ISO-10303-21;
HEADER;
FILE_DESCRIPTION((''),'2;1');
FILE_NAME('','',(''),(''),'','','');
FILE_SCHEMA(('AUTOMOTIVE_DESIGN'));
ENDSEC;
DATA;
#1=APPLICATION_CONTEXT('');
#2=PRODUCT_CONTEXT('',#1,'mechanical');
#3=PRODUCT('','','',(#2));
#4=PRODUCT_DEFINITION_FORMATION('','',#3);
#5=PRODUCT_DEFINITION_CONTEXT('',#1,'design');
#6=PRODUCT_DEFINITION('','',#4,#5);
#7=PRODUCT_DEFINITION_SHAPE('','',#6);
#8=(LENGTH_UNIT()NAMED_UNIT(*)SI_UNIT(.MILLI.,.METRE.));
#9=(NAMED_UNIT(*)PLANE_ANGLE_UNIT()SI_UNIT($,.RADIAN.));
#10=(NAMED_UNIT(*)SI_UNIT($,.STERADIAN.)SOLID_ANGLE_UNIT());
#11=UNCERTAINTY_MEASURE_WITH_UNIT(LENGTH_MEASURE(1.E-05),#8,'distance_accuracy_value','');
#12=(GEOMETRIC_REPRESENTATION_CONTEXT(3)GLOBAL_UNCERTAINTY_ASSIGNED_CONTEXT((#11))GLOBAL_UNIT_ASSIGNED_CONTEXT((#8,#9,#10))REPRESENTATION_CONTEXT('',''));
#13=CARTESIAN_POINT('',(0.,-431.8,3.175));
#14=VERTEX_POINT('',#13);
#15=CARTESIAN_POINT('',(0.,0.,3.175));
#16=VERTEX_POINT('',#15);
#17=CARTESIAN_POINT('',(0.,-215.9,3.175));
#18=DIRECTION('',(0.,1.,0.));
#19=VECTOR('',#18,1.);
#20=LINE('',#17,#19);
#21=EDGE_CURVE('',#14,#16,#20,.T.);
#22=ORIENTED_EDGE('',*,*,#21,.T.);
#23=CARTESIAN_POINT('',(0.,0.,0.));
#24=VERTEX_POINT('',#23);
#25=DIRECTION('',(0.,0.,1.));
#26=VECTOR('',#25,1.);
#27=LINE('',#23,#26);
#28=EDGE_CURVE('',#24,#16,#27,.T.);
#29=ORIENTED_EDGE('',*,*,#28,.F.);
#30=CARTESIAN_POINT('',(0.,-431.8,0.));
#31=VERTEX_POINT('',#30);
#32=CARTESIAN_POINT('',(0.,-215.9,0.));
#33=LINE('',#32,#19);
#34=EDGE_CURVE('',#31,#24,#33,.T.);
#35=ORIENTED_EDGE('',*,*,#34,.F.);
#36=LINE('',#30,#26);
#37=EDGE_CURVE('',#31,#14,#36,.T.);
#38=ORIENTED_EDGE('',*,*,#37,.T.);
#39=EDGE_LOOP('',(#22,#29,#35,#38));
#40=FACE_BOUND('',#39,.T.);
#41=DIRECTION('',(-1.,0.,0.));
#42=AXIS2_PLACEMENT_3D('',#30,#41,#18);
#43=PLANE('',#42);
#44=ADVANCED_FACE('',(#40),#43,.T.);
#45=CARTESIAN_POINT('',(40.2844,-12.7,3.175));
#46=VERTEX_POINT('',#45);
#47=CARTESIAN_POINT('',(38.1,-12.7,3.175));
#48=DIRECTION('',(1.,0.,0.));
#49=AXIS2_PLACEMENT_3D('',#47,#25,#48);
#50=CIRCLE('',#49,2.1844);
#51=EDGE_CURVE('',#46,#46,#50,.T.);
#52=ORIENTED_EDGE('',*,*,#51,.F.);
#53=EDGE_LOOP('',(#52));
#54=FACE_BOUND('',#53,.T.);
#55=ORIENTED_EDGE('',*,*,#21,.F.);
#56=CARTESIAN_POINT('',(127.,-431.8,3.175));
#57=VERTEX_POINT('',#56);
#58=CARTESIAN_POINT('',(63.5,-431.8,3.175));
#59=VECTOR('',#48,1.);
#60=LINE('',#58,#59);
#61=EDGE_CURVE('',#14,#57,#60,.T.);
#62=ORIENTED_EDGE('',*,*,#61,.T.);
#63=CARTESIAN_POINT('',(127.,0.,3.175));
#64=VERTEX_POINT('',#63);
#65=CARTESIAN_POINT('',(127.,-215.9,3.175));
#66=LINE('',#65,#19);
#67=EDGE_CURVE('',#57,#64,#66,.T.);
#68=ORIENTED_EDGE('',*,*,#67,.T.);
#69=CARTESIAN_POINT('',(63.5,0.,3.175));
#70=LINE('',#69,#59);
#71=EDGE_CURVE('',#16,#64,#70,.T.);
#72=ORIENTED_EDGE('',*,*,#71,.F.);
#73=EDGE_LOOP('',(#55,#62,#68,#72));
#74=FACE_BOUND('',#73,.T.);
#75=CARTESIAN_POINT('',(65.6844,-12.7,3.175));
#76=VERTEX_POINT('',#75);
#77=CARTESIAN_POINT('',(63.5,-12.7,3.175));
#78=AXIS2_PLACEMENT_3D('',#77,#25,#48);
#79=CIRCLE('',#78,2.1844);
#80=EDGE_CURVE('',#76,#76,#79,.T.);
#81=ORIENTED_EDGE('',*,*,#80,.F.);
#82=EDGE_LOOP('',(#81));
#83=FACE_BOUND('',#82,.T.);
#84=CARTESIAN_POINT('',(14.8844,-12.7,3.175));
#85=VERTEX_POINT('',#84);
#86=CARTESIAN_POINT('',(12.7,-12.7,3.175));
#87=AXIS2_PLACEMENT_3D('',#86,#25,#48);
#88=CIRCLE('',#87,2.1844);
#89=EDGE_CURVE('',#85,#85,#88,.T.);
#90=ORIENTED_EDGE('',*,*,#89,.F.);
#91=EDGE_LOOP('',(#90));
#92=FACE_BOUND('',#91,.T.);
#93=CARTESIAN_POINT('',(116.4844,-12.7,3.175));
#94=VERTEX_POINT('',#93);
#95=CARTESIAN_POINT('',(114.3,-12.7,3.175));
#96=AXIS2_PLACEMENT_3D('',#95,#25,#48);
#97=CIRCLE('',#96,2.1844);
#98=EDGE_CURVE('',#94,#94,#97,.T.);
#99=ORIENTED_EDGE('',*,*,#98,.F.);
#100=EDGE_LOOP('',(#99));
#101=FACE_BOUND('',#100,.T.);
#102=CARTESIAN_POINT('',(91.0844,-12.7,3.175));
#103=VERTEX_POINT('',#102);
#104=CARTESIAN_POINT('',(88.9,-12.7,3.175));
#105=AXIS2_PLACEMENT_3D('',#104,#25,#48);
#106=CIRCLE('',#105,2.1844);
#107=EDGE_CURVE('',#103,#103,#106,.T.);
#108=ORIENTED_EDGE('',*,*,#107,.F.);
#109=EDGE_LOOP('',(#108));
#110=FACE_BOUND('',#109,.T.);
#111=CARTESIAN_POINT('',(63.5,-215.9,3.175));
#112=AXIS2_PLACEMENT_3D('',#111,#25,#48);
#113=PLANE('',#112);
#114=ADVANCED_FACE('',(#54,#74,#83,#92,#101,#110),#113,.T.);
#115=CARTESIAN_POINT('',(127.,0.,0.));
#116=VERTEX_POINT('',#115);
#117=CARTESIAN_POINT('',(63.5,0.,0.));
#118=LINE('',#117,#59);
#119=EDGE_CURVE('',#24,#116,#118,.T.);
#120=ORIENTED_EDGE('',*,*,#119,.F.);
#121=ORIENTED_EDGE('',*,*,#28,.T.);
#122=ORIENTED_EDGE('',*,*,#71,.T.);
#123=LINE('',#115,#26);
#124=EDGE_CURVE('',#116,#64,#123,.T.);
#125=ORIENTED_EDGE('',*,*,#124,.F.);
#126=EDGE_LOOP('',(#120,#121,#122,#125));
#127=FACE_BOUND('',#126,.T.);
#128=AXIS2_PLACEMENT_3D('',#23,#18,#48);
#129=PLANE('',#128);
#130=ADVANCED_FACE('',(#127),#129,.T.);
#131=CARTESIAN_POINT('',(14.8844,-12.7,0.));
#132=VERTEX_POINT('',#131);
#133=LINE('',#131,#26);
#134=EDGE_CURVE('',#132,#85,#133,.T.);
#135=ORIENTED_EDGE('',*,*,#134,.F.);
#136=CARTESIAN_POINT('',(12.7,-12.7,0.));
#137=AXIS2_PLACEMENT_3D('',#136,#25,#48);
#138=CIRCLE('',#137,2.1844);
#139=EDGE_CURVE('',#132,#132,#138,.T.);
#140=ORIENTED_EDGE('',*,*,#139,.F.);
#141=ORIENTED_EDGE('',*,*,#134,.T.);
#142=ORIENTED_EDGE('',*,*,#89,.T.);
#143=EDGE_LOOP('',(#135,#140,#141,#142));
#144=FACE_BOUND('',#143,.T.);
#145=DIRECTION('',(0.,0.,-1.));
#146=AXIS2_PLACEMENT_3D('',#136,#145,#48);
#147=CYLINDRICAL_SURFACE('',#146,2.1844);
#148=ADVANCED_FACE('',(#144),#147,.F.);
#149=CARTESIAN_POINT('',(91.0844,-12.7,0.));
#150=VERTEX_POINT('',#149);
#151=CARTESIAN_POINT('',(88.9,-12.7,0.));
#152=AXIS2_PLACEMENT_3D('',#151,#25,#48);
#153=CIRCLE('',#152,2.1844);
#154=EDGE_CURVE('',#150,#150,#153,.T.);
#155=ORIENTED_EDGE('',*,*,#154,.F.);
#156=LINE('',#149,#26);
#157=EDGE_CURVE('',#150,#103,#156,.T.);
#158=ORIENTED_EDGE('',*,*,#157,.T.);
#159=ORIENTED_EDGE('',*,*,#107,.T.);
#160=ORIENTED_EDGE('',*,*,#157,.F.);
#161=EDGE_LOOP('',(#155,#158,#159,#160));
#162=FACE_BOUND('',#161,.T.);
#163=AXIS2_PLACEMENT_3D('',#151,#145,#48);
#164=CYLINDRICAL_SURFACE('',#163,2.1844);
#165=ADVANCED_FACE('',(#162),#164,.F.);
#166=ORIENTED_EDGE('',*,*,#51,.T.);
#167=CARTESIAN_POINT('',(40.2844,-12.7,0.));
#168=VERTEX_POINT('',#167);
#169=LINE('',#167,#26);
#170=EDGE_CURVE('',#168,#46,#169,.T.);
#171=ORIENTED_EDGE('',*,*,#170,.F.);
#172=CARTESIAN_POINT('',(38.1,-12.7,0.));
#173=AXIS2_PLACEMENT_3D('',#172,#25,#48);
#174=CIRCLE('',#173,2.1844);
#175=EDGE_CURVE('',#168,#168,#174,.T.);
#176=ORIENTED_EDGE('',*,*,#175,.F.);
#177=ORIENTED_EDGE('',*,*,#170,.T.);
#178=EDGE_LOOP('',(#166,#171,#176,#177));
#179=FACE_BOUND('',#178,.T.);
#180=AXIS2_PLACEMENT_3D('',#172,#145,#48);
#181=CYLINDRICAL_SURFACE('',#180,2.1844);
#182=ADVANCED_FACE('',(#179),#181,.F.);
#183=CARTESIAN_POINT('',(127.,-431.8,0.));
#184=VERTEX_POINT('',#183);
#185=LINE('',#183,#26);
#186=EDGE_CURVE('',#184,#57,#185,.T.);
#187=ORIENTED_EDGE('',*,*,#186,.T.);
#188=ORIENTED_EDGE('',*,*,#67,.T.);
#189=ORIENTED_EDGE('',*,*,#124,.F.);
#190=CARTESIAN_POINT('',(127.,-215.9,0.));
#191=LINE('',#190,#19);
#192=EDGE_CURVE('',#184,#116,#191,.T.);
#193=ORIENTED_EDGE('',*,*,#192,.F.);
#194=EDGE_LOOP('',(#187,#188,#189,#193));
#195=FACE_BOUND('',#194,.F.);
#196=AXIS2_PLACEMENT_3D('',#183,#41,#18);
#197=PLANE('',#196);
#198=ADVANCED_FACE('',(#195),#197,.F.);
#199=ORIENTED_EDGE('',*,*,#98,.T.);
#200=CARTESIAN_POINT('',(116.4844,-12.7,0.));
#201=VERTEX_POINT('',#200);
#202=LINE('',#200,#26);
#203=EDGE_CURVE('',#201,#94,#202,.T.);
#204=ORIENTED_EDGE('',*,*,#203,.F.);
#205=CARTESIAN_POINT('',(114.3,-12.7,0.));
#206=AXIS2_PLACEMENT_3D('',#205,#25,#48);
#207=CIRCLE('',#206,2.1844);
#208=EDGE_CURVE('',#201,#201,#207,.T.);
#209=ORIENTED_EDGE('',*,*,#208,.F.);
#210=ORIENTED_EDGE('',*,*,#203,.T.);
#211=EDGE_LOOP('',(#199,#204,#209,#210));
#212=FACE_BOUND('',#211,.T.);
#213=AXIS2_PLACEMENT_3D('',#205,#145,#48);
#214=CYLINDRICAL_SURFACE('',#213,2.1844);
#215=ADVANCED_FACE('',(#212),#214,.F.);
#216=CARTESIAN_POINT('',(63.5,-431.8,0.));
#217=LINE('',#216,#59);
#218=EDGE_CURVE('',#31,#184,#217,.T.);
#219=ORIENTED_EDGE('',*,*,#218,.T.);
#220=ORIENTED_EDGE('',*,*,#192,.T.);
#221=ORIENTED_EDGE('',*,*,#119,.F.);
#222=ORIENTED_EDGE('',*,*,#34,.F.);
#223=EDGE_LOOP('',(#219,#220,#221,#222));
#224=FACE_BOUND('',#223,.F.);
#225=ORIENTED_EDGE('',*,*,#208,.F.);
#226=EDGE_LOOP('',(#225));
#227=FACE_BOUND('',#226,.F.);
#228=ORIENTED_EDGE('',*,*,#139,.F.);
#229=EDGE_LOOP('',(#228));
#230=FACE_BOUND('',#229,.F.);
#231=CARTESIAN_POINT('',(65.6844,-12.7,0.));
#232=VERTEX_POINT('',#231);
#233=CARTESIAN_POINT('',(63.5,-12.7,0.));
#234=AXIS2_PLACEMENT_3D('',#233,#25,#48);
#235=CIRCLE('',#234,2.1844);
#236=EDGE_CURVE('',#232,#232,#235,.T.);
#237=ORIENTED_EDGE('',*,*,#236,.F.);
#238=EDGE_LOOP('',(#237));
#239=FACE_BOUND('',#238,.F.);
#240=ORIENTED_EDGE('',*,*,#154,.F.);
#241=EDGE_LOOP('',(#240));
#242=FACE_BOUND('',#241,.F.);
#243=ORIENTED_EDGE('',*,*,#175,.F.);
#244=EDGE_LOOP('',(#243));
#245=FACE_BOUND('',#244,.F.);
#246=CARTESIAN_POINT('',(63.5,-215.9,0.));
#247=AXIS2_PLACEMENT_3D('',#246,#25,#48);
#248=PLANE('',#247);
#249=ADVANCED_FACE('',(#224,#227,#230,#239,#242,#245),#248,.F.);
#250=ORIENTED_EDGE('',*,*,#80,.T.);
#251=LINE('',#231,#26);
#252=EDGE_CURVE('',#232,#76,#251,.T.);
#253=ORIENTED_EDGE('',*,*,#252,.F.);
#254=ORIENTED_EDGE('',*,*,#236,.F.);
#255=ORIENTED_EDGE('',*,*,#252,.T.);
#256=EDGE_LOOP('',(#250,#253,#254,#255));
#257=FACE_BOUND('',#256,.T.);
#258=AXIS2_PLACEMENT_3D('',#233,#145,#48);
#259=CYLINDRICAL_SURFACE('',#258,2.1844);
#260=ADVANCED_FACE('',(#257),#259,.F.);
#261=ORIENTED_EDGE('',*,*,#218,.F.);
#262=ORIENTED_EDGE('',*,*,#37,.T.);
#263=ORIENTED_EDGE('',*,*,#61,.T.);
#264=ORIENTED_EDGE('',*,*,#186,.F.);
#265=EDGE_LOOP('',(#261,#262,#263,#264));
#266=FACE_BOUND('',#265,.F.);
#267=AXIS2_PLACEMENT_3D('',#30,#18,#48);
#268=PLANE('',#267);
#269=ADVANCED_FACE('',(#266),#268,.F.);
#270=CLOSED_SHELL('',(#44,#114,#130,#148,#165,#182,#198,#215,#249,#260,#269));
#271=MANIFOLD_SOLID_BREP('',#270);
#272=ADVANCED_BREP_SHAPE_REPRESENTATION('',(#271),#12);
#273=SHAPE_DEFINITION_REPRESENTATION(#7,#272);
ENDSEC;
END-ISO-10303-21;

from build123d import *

# Parameters (mm, degrees)
F0_W     = 127
F0_H     = 431.8
F0_R     = 2.1844
F1_DEPTH = 3.175


with BuildPart() as f1:
    # F0 (on Top) → F1 (new body)
    with BuildSketch(Plane.XY):
        with Locations((63.5, -215.9)):
            Rectangle(F0_W, F0_H)
        with Locations((12.7, -12.7)):
            Circle(F0_R, mode=Mode.SUBTRACT)
        with Locations((38.1, -12.7)):
            Circle(F0_R, mode=Mode.SUBTRACT)
        with Locations((63.5, -12.7)):
            Circle(F0_R, mode=Mode.SUBTRACT)
        with Locations((88.9, -12.7)):
            Circle(F0_R, mode=Mode.SUBTRACT)
        with Locations((114.3, -12.7)):
            Circle(F0_R, mode=Mode.SUBTRACT)
    extrude(amount=F1_DEPTH)


solid = f1.part
